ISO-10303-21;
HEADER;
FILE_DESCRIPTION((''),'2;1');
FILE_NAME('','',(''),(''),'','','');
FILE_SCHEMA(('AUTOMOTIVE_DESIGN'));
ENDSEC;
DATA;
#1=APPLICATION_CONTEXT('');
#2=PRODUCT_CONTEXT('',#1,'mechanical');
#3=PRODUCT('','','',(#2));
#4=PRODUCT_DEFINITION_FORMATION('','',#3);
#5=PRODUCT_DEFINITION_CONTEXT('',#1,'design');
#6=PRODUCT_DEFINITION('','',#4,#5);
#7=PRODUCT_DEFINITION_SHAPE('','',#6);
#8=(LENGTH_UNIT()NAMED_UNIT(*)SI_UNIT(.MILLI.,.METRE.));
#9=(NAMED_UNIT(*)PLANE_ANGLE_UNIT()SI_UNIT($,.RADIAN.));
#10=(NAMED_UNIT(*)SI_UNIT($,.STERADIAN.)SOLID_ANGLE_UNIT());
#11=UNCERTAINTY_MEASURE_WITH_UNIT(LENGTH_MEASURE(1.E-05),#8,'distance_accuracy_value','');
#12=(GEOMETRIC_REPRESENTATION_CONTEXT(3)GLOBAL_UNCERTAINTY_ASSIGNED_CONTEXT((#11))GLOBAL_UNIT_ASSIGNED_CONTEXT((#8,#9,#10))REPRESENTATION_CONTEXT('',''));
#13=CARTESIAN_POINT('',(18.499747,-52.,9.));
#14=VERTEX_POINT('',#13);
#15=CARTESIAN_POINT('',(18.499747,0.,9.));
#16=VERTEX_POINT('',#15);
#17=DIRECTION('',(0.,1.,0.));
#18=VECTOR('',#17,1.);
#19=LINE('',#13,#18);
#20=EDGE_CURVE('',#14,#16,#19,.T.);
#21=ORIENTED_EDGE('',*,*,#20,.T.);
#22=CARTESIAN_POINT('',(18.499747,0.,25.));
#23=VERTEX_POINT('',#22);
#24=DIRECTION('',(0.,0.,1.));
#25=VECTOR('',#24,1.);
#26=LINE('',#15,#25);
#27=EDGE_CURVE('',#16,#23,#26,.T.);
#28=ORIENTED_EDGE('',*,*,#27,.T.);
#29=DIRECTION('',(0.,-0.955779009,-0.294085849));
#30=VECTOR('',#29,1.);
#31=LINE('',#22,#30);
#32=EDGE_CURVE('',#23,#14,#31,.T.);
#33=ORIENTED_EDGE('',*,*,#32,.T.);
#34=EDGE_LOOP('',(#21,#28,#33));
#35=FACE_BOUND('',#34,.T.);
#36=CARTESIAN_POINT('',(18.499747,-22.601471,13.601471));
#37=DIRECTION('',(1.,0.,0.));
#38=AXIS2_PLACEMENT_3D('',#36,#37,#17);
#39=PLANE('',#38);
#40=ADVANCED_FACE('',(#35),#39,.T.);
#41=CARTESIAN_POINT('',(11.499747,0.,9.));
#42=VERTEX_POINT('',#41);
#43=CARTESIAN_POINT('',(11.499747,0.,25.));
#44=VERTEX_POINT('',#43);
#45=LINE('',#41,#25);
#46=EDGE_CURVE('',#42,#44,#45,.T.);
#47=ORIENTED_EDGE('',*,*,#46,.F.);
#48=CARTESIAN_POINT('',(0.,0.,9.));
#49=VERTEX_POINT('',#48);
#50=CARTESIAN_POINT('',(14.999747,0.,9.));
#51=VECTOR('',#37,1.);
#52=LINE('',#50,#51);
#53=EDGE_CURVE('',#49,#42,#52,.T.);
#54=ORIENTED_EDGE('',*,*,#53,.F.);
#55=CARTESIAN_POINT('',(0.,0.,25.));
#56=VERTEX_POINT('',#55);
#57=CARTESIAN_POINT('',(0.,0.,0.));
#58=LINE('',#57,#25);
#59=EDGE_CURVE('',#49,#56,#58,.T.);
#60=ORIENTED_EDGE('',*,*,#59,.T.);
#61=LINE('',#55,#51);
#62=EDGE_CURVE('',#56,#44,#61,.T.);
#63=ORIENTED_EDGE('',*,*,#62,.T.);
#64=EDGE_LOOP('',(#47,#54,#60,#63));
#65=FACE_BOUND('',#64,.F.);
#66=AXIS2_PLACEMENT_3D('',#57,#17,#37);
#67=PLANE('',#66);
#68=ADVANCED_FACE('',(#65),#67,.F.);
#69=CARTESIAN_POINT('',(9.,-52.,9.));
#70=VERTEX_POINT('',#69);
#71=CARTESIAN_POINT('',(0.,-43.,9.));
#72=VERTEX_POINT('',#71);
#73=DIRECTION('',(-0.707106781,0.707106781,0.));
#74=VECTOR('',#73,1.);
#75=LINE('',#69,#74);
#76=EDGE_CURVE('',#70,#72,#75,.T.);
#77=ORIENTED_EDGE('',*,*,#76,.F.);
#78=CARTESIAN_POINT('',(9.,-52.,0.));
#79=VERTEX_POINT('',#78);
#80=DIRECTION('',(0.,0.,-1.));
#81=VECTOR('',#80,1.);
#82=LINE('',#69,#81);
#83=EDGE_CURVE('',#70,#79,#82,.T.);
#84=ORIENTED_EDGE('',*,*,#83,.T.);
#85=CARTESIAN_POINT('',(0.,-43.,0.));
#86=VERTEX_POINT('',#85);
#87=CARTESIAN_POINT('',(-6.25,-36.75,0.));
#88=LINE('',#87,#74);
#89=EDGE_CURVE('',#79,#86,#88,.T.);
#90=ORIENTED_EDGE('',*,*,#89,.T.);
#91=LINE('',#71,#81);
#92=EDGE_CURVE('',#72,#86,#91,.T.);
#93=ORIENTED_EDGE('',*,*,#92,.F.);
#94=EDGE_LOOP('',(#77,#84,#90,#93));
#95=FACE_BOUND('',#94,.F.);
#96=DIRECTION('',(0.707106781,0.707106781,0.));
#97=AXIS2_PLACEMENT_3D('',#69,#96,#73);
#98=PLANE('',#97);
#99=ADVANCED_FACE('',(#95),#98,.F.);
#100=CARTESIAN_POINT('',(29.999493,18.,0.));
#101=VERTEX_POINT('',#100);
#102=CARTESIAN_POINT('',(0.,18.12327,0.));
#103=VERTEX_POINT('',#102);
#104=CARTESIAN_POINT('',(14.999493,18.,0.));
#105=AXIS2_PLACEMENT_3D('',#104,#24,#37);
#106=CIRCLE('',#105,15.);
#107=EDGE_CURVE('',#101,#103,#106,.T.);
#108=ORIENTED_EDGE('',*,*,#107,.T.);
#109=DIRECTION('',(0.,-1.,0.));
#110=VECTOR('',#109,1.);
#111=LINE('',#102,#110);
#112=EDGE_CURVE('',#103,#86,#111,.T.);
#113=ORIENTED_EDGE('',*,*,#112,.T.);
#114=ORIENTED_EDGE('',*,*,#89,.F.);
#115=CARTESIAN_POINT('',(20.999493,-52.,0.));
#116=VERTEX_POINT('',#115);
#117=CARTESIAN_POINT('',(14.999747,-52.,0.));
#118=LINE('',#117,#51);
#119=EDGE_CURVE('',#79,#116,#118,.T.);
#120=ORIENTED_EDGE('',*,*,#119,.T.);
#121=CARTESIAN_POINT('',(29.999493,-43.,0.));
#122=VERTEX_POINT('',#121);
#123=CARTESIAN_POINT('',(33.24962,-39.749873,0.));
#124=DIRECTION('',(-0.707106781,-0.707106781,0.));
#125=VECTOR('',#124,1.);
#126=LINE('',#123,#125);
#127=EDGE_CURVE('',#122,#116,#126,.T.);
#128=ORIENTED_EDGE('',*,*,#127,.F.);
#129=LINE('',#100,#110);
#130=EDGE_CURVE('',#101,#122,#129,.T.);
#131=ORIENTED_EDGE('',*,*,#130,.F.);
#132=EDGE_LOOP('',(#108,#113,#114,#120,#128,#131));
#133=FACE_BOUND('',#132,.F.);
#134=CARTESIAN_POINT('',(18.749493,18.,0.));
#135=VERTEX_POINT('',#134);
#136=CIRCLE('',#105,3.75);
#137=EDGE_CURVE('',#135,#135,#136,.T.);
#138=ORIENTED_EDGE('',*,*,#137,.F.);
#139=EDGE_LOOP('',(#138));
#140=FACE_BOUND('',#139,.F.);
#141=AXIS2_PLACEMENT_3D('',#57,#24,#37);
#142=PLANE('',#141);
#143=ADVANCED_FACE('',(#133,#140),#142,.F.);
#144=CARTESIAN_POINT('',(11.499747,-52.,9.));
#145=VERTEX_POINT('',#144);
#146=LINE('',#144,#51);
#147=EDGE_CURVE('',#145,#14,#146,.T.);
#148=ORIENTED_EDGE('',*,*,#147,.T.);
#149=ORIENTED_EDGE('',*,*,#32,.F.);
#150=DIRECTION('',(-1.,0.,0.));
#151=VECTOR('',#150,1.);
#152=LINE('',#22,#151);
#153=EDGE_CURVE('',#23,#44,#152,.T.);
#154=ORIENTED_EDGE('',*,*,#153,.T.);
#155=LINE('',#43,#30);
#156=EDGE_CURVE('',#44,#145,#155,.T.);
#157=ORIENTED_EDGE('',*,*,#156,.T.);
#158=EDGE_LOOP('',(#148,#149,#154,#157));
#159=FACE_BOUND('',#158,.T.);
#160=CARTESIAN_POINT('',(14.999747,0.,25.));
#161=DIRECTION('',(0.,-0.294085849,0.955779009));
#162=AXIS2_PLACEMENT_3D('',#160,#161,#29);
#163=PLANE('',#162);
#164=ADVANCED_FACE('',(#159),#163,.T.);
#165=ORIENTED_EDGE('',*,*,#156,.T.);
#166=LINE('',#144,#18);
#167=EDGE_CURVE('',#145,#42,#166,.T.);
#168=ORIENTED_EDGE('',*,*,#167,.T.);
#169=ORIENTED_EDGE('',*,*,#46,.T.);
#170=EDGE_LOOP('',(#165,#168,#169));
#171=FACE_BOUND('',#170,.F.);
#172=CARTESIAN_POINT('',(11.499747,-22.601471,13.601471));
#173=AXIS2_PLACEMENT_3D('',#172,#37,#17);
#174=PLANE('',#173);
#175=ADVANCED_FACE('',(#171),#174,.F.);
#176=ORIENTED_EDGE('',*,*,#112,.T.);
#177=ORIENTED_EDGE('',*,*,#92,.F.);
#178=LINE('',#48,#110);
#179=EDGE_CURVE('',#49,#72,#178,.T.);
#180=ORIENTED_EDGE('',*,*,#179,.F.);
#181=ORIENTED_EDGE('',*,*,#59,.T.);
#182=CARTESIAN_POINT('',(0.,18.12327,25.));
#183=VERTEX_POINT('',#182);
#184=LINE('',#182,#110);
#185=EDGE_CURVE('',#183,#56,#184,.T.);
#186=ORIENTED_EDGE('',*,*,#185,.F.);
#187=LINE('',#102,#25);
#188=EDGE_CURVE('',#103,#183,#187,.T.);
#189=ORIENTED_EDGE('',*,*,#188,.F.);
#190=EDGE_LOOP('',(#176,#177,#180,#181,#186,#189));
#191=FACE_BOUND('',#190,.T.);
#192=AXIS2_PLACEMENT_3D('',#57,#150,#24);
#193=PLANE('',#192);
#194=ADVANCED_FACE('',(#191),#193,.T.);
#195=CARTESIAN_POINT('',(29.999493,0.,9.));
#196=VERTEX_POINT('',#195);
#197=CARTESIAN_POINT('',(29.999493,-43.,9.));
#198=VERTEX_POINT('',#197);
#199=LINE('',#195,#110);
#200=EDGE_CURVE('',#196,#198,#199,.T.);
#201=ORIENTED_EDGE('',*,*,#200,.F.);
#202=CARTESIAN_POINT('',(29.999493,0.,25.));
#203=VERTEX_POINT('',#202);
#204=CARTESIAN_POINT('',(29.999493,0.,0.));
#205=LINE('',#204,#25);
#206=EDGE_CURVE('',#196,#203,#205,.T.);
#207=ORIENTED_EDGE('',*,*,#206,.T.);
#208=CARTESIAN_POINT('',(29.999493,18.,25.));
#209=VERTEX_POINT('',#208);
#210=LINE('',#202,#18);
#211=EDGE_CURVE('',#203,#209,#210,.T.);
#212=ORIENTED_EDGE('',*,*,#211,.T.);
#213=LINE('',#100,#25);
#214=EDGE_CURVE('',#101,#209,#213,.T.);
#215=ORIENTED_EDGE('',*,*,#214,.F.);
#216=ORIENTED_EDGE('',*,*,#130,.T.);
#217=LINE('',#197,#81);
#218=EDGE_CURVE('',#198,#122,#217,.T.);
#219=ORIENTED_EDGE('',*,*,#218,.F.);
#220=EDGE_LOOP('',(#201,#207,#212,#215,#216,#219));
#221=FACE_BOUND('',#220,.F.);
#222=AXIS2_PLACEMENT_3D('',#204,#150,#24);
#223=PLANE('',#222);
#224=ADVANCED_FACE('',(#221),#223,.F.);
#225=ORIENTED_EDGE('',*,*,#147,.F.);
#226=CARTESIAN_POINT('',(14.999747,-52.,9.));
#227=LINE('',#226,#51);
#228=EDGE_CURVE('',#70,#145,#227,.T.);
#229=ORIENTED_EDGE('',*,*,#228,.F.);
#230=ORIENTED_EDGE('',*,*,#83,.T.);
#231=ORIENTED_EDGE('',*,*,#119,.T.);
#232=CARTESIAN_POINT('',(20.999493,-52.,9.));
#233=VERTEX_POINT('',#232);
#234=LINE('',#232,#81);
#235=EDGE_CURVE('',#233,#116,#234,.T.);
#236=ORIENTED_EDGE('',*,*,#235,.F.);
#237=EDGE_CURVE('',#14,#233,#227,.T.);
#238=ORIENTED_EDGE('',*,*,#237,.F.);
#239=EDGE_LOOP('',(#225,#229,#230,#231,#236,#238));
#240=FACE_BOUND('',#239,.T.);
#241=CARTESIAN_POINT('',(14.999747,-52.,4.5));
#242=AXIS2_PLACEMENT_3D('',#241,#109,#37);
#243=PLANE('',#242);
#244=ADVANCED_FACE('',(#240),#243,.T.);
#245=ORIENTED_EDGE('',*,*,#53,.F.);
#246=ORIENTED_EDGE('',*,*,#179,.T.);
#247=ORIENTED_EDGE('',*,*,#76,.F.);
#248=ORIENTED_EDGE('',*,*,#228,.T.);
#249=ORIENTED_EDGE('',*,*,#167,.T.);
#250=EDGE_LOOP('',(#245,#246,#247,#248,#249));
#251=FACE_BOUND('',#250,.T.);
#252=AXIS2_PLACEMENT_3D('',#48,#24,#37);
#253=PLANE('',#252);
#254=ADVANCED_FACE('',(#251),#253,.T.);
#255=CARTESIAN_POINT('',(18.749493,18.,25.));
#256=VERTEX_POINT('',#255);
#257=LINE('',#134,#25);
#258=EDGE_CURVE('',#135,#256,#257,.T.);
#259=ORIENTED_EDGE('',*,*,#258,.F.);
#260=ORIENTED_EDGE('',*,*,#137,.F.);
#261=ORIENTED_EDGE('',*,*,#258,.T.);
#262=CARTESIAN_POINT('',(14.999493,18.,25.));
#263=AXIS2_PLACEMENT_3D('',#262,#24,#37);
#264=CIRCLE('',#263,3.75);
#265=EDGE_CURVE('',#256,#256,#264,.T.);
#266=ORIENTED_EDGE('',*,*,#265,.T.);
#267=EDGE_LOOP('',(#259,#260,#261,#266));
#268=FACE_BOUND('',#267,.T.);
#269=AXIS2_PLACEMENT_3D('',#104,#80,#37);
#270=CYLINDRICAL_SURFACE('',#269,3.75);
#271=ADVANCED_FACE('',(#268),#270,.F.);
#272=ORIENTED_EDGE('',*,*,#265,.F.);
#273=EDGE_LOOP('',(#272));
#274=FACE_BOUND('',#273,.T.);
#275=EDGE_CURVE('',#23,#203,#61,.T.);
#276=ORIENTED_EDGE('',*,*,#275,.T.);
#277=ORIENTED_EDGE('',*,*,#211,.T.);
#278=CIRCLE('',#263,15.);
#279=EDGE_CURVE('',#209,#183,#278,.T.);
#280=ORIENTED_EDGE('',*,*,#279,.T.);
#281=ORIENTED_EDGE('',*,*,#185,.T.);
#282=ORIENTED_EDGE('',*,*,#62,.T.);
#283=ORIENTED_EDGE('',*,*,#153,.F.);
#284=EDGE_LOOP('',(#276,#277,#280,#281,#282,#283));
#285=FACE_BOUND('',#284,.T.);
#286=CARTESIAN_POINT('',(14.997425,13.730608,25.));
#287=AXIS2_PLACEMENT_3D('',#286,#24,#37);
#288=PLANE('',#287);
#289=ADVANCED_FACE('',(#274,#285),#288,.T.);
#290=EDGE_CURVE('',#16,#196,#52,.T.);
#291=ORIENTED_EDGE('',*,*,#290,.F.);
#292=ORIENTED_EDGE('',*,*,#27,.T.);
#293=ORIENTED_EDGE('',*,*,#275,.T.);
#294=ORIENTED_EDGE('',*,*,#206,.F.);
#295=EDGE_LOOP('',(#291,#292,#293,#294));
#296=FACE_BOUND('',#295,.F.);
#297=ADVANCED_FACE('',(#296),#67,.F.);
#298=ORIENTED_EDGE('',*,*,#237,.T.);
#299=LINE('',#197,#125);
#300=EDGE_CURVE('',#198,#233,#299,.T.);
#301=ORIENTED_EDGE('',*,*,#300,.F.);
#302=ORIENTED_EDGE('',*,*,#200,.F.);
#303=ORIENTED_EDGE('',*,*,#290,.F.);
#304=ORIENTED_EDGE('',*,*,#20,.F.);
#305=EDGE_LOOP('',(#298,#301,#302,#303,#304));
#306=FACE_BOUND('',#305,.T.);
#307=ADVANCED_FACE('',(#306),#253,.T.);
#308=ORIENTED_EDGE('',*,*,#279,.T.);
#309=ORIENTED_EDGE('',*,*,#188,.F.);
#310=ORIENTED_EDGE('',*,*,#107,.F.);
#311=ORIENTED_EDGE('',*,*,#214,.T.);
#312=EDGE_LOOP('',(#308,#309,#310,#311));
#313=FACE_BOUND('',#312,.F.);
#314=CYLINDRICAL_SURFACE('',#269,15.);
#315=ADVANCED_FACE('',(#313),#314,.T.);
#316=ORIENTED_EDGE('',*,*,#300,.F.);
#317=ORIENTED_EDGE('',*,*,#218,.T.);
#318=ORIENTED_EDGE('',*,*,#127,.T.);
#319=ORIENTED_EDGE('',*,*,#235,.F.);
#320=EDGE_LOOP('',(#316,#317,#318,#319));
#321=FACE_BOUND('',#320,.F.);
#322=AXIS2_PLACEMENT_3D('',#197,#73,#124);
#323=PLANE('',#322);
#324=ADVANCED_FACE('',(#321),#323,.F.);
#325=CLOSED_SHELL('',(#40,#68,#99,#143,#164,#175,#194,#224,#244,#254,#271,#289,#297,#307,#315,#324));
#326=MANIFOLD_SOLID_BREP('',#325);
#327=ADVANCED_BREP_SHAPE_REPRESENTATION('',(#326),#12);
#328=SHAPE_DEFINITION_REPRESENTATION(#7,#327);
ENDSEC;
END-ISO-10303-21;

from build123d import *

# Parameters (mm, degrees)
F0_R          = 3.75
F1_DEPTH      = 25
F2_W          = 29.9994934789
F2_H          = 9
F3_DEPTH      = 52
F5_DEPTH      = 25
F8_DEPTH      = 3.5
F8_DEPTH_BACK = 3.5


with BuildPart() as f1:
    # F0 (on Top) → F1 (new body)
    with BuildSketch(Plane.XY):
        with BuildLine():
            Line((0, 18.1232695296), (0, 0))
            Line((0, 0), (29.9994934789, 0))
            Line((29.9994934789, 0), (29.9994934789, 18))
            ThreePointArc((29.9994934789, 18), (15.061128764, 32.9998733692), (0, 18.1232695296))
        make_face()
        with Locations((14.9994934789, 18)):
            Circle(F0_R, mode=Mode.SUBTRACT)
    extrude(amount=F1_DEPTH)

    # F2 (on face) → F3 (join)
    with BuildSketch(Plane.XZ):
        with Locations((14.9997467394, 4.5)):
            Rectangle(F2_W, F2_H)
    extrude(amount=F3_DEPTH)

    # F4 (on face) → F5 (cut)
    with BuildSketch(Plane.XY.offset(9)):
        Polygon((20.9994934789, -52), (29.9994934789, -52), (29.9994934789, -43), align=None)
        Polygon((0, -43), (0, -52), (9, -52), align=None)
    extrude(amount=-F5_DEPTH, mode=Mode.SUBTRACT)

    # F7 (on mid) → F8 (join, two sides)
    with BuildSketch(Plane.YZ.offset(14.9997467394)) as f8_sk:
        Polygon((0, 9), (0, 25), (-52, 9), align=None)
    extrude(amount=F8_DEPTH)
    extrude(f8_sk.sketch, amount=-F8_DEPTH_BACK)


solid = f1.part
